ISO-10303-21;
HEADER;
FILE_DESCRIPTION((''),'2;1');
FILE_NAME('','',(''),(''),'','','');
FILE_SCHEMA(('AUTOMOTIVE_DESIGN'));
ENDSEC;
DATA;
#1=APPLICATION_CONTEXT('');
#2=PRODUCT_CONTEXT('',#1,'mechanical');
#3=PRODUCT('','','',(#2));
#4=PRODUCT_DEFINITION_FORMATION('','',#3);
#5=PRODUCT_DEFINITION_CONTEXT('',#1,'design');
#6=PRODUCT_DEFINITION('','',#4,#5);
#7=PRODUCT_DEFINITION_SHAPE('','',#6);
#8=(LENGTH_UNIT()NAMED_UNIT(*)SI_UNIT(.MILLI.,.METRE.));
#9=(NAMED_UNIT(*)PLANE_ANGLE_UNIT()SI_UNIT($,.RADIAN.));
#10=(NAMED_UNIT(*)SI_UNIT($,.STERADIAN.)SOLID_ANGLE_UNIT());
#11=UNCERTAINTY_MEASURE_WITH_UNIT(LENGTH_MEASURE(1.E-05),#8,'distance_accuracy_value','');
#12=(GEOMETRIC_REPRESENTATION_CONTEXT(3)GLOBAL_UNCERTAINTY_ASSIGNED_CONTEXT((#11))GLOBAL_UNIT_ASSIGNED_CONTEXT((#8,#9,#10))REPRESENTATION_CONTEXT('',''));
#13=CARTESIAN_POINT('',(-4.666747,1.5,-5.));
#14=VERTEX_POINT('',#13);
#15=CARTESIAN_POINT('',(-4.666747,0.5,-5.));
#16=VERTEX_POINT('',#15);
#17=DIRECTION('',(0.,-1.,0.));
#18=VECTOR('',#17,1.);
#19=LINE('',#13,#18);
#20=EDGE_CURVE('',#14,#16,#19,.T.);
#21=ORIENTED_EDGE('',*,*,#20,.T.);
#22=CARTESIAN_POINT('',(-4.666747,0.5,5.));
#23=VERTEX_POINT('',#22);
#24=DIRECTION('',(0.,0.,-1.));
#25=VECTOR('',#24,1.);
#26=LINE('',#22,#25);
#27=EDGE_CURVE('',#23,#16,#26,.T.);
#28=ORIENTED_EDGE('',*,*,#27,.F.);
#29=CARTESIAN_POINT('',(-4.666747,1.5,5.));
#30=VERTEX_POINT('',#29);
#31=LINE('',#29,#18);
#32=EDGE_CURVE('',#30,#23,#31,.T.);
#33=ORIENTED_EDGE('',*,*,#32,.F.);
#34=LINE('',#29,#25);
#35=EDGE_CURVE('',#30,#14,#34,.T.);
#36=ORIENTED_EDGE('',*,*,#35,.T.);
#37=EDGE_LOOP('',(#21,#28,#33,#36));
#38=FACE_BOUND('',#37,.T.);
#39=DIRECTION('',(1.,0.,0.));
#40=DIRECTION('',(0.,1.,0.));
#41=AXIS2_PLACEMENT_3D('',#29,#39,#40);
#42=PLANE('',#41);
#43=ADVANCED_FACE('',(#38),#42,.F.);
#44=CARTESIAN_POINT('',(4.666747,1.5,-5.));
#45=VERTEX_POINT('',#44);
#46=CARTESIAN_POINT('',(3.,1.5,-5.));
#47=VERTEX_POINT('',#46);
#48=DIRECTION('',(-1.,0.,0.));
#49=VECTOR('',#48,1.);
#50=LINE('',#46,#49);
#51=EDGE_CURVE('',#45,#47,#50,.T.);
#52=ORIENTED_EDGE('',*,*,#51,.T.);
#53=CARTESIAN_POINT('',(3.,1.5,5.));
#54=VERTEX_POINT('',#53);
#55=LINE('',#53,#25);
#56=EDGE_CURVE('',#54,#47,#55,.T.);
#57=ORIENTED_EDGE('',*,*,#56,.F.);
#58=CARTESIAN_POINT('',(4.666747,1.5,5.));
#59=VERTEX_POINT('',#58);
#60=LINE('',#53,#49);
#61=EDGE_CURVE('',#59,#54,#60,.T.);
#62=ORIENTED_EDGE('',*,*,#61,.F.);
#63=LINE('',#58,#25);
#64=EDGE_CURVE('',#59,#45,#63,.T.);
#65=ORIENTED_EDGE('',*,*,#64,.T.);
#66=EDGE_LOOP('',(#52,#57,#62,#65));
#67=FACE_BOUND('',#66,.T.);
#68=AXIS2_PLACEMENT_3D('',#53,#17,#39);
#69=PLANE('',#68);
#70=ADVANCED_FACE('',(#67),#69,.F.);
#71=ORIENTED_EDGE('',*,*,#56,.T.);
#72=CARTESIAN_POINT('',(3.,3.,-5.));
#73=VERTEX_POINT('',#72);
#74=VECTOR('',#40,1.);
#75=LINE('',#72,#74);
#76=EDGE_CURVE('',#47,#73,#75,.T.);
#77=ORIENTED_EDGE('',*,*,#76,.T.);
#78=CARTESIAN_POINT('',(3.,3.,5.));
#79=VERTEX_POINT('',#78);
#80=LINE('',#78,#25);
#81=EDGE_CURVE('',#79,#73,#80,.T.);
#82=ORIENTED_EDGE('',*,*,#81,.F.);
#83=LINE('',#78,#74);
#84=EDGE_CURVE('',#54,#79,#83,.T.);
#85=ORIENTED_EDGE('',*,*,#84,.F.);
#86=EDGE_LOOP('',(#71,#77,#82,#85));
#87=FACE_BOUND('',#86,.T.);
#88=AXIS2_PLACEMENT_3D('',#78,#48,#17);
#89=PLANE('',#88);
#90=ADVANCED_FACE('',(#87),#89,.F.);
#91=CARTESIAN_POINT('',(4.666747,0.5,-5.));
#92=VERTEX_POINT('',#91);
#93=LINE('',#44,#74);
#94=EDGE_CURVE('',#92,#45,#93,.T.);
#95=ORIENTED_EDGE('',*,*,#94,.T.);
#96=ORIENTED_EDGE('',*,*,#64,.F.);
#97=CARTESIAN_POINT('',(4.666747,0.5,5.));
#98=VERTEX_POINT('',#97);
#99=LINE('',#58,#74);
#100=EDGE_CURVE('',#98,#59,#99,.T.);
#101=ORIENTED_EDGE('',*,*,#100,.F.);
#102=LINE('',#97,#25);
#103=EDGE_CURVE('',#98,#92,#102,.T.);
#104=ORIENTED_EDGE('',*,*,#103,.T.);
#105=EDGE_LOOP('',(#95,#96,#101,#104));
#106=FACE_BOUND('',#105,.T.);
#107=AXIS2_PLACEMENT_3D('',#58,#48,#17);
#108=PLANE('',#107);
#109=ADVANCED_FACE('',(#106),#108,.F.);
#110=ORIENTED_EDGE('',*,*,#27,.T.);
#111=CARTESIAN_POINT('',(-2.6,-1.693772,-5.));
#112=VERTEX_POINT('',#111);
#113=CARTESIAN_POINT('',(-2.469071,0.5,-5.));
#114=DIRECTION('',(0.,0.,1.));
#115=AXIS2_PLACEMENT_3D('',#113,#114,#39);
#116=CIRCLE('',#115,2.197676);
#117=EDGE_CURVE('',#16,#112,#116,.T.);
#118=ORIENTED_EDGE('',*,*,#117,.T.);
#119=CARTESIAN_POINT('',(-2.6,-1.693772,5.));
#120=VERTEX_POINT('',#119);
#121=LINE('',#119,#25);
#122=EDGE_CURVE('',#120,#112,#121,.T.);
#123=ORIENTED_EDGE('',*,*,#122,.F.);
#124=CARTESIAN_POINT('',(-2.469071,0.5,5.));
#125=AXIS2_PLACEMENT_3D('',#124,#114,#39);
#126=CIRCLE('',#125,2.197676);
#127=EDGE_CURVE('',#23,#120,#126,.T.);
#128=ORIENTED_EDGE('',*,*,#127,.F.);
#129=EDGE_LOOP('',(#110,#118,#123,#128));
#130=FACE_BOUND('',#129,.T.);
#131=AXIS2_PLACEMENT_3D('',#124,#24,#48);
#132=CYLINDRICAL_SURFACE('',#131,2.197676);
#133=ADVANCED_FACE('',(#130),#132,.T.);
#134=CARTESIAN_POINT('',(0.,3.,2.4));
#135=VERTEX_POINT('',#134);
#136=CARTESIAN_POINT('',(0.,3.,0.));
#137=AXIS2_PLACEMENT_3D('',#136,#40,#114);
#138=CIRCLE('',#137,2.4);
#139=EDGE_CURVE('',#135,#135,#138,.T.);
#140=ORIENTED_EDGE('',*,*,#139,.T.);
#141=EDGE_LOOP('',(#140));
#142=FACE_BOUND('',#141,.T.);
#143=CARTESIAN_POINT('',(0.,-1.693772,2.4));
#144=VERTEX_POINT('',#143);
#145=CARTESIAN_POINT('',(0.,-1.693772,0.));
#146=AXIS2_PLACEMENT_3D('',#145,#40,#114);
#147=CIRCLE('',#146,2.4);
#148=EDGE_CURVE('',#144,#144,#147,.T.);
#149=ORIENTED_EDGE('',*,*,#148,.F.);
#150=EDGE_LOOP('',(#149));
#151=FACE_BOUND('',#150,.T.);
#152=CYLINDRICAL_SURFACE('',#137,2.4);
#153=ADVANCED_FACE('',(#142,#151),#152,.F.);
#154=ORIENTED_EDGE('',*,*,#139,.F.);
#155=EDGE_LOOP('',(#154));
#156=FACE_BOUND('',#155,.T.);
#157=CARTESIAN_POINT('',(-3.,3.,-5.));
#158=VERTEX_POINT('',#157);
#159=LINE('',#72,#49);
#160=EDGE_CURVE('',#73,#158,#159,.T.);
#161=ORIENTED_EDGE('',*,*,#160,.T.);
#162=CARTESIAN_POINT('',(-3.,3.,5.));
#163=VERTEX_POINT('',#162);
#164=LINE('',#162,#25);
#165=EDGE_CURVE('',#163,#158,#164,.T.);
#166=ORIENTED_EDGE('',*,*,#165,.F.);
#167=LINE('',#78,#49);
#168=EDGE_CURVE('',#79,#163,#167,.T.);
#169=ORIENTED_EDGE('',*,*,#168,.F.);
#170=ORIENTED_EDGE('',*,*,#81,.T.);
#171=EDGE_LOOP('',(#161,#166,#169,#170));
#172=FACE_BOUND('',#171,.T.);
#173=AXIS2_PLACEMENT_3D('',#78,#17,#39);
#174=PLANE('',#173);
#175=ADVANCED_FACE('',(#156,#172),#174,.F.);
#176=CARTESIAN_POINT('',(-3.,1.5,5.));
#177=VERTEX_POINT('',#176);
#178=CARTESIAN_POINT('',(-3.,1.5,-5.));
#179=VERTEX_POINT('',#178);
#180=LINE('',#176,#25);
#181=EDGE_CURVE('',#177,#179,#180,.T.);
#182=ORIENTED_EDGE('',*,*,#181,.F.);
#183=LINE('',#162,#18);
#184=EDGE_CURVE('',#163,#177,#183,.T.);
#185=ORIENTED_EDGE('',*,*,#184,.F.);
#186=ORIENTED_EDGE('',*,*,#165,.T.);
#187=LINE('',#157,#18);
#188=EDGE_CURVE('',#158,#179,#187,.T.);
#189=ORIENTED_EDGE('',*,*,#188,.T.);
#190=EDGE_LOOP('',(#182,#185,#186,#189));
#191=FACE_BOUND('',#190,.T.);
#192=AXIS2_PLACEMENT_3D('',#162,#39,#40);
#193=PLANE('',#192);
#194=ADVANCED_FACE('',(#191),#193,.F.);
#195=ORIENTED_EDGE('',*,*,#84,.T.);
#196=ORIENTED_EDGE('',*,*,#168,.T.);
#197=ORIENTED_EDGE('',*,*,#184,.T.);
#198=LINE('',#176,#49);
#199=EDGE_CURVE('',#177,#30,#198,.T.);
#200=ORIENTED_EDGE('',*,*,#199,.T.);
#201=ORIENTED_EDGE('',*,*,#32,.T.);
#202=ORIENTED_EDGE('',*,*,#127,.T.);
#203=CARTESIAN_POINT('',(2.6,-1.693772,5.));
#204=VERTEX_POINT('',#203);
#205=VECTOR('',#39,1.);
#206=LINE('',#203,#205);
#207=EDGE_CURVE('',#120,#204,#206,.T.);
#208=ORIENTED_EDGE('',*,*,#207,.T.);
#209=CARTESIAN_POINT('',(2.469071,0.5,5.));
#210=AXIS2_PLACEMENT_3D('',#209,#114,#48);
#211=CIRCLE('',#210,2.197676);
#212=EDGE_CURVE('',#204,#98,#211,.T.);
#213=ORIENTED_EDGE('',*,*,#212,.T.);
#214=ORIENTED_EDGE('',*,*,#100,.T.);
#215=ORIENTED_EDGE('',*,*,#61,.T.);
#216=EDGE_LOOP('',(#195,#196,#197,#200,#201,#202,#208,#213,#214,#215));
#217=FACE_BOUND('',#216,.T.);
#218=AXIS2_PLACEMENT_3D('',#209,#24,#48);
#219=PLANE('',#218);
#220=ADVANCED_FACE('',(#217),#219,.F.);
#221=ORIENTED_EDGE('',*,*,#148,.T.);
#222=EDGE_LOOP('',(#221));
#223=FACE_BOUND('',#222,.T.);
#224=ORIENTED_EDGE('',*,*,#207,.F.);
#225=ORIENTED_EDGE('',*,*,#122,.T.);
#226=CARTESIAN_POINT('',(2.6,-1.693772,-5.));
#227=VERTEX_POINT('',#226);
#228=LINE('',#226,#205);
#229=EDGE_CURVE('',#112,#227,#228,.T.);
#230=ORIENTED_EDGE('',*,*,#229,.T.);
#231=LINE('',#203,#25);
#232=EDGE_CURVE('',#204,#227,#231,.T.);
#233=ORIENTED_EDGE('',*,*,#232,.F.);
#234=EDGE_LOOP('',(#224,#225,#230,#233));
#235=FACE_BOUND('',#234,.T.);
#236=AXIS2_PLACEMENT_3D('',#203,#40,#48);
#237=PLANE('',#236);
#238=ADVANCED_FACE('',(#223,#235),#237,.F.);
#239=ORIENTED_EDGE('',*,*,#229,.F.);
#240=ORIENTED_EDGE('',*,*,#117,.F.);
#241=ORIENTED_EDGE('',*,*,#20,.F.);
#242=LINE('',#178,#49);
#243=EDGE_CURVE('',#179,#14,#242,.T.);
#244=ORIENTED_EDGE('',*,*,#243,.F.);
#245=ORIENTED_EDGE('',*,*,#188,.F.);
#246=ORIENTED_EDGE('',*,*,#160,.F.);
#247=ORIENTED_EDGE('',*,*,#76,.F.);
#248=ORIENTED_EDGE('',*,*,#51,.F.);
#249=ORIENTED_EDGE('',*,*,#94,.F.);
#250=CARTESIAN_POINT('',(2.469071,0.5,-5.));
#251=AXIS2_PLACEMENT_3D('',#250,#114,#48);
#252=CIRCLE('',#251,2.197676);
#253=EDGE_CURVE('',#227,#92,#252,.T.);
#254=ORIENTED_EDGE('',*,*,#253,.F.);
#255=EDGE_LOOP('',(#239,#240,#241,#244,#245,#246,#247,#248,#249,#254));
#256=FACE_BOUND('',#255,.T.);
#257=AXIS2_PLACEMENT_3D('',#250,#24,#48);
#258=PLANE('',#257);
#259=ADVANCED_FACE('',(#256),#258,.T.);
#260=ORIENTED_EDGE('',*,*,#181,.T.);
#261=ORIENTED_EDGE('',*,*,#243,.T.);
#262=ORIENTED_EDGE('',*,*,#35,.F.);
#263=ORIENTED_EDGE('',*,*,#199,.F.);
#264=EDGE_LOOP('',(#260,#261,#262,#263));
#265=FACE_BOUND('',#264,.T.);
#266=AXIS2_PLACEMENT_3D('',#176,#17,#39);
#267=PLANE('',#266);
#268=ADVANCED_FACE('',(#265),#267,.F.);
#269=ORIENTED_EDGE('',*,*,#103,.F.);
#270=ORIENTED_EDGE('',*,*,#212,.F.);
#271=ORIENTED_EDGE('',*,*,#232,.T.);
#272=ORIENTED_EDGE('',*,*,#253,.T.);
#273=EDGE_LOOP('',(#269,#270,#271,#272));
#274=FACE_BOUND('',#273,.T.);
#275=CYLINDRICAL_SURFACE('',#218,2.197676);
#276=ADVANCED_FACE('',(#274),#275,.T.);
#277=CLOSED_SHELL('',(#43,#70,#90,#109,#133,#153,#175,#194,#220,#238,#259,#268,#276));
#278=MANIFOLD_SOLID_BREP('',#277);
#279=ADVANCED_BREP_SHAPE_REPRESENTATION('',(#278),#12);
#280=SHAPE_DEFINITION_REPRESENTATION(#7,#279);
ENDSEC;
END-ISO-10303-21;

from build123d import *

# Parameters (mm, degrees)
EXTRUDE_1_DEPTH    = 10
HOLE_WIZARD_M6_4_D = 4.8


with BuildPart() as part:
    # 草图1 → 凸台-拉伸1 (new body)
    with BuildSketch(Plane.XY):
        with BuildLine():
            Line((3, 3), (-3, 3))
            Line((-3, 3), (-3, 1.5))
            Line((-3, 1.5), (-4.666746731, 1.5))
            Line((-4.666746731, 1.5), (-4.666746731, 0.5))
            ThreePointArc((-4.666746731, 0.5), (-4.068683171, -1.006990331), (-2.6, -1.69377241))
            Line((-2.6, -1.69377241), (2.6, -1.69377241))
            ThreePointArc((2.6, -1.69377241), (4.068683171, -1.006990331), (4.666746731, 0.5))
            Line((4.666746731, 0.5), (4.666746731, 1.5))
            Line((4.666746731, 1.5), (3, 1.5))
            Line((3, 1.5), (3, 3))
        make_face()
    extrude(amount=EXTRUDE_1_DEPTH)

    # M6 螺纹孔4 (through all)
    with Locations(Plane(origin=(0, 3, 0), x_dir=(1, 0, 0), z_dir=(0, 1, 0))):
        with Locations((0, -5)):
            Hole(HOLE_WIZARD_M6_4_D / 2)


with BuildPart() as part_1:
    # Move Body 1: moved
    add(part.part.moved(Location((0, 0, -5))))


solid = part_1.part
